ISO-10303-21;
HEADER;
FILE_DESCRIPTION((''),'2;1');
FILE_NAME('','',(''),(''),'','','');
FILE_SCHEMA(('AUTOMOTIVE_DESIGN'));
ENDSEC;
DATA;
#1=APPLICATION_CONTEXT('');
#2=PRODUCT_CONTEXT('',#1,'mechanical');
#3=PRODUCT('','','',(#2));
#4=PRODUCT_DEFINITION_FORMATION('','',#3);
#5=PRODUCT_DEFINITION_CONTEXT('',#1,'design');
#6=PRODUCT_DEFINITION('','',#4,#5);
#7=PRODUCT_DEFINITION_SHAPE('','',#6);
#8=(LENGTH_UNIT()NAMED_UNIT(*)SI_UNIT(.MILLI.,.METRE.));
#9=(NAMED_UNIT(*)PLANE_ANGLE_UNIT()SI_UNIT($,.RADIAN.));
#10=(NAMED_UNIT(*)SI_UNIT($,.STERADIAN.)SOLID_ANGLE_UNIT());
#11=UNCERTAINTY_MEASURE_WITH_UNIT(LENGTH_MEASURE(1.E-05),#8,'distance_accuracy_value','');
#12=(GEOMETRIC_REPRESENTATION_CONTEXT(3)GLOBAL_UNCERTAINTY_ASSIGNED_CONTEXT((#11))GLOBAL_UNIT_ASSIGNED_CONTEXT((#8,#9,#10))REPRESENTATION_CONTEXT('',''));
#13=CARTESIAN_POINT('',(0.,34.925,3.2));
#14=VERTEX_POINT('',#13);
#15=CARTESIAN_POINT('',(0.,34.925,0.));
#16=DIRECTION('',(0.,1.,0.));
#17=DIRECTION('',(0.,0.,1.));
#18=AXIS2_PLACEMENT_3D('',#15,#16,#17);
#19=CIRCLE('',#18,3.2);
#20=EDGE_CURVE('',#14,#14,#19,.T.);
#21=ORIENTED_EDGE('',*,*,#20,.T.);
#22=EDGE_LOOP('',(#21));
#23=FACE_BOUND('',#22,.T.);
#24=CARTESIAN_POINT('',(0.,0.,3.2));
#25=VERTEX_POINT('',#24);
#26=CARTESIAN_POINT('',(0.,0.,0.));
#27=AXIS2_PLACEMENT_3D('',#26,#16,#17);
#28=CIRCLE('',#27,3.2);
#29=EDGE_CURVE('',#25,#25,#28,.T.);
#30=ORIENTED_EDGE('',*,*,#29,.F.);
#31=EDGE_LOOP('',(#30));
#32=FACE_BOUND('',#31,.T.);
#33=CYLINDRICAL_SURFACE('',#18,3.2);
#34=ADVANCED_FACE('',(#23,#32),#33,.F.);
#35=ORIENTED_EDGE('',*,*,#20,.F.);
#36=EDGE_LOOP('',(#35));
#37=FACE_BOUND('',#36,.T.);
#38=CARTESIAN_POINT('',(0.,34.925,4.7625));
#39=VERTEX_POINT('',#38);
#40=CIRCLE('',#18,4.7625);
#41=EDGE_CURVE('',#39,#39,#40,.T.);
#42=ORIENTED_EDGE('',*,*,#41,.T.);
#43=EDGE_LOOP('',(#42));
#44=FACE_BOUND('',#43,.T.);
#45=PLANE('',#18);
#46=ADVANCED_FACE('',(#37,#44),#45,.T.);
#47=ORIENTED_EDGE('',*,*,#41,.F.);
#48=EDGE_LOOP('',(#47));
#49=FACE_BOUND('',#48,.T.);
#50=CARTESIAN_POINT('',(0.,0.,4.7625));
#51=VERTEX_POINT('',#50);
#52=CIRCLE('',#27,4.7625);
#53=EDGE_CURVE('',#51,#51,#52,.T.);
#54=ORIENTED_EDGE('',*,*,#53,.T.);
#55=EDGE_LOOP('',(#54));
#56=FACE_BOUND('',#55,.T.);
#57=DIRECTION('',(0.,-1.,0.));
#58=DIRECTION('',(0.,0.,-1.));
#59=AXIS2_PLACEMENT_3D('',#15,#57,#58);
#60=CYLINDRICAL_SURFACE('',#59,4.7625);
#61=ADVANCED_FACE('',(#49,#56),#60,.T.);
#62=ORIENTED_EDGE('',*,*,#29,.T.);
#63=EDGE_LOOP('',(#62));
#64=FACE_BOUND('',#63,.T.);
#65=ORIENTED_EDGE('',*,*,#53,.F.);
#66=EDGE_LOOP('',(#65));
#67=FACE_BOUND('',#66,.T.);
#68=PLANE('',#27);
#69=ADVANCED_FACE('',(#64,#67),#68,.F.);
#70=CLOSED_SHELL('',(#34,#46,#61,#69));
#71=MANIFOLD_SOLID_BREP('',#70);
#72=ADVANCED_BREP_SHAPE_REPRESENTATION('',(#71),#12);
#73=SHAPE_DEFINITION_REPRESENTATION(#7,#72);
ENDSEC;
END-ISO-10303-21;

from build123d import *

# Parameters (mm, degrees)
SKETCH1_R            = 4.7625
BOSS_EXTRUDE1_DEPTH  = 34.925
M6_CLEARANCE_HOLE1_D = 6.4


with BuildPart() as part:
    # Sketch1 → Boss-Extrude1 (new body)
    with BuildSketch(Plane(origin=(0, 0, 0), x_dir=(1, 0, 0), z_dir=(0, 1, 0))):
        with Locations(Location((0, 0, 0), (0, 0, 270))):
            Circle(SKETCH1_R)
    extrude(amount=BOSS_EXTRUDE1_DEPTH)

    # M6 Clearance Hole1 (through all)
    with Locations(Plane(origin=(0, 34.925, 0), x_dir=(1, 0, 0), z_dir=(0, 1, 0))):
        with Locations((0, 0)):
            Hole(M6_CLEARANCE_HOLE1_D / 2)


solid = part.part
